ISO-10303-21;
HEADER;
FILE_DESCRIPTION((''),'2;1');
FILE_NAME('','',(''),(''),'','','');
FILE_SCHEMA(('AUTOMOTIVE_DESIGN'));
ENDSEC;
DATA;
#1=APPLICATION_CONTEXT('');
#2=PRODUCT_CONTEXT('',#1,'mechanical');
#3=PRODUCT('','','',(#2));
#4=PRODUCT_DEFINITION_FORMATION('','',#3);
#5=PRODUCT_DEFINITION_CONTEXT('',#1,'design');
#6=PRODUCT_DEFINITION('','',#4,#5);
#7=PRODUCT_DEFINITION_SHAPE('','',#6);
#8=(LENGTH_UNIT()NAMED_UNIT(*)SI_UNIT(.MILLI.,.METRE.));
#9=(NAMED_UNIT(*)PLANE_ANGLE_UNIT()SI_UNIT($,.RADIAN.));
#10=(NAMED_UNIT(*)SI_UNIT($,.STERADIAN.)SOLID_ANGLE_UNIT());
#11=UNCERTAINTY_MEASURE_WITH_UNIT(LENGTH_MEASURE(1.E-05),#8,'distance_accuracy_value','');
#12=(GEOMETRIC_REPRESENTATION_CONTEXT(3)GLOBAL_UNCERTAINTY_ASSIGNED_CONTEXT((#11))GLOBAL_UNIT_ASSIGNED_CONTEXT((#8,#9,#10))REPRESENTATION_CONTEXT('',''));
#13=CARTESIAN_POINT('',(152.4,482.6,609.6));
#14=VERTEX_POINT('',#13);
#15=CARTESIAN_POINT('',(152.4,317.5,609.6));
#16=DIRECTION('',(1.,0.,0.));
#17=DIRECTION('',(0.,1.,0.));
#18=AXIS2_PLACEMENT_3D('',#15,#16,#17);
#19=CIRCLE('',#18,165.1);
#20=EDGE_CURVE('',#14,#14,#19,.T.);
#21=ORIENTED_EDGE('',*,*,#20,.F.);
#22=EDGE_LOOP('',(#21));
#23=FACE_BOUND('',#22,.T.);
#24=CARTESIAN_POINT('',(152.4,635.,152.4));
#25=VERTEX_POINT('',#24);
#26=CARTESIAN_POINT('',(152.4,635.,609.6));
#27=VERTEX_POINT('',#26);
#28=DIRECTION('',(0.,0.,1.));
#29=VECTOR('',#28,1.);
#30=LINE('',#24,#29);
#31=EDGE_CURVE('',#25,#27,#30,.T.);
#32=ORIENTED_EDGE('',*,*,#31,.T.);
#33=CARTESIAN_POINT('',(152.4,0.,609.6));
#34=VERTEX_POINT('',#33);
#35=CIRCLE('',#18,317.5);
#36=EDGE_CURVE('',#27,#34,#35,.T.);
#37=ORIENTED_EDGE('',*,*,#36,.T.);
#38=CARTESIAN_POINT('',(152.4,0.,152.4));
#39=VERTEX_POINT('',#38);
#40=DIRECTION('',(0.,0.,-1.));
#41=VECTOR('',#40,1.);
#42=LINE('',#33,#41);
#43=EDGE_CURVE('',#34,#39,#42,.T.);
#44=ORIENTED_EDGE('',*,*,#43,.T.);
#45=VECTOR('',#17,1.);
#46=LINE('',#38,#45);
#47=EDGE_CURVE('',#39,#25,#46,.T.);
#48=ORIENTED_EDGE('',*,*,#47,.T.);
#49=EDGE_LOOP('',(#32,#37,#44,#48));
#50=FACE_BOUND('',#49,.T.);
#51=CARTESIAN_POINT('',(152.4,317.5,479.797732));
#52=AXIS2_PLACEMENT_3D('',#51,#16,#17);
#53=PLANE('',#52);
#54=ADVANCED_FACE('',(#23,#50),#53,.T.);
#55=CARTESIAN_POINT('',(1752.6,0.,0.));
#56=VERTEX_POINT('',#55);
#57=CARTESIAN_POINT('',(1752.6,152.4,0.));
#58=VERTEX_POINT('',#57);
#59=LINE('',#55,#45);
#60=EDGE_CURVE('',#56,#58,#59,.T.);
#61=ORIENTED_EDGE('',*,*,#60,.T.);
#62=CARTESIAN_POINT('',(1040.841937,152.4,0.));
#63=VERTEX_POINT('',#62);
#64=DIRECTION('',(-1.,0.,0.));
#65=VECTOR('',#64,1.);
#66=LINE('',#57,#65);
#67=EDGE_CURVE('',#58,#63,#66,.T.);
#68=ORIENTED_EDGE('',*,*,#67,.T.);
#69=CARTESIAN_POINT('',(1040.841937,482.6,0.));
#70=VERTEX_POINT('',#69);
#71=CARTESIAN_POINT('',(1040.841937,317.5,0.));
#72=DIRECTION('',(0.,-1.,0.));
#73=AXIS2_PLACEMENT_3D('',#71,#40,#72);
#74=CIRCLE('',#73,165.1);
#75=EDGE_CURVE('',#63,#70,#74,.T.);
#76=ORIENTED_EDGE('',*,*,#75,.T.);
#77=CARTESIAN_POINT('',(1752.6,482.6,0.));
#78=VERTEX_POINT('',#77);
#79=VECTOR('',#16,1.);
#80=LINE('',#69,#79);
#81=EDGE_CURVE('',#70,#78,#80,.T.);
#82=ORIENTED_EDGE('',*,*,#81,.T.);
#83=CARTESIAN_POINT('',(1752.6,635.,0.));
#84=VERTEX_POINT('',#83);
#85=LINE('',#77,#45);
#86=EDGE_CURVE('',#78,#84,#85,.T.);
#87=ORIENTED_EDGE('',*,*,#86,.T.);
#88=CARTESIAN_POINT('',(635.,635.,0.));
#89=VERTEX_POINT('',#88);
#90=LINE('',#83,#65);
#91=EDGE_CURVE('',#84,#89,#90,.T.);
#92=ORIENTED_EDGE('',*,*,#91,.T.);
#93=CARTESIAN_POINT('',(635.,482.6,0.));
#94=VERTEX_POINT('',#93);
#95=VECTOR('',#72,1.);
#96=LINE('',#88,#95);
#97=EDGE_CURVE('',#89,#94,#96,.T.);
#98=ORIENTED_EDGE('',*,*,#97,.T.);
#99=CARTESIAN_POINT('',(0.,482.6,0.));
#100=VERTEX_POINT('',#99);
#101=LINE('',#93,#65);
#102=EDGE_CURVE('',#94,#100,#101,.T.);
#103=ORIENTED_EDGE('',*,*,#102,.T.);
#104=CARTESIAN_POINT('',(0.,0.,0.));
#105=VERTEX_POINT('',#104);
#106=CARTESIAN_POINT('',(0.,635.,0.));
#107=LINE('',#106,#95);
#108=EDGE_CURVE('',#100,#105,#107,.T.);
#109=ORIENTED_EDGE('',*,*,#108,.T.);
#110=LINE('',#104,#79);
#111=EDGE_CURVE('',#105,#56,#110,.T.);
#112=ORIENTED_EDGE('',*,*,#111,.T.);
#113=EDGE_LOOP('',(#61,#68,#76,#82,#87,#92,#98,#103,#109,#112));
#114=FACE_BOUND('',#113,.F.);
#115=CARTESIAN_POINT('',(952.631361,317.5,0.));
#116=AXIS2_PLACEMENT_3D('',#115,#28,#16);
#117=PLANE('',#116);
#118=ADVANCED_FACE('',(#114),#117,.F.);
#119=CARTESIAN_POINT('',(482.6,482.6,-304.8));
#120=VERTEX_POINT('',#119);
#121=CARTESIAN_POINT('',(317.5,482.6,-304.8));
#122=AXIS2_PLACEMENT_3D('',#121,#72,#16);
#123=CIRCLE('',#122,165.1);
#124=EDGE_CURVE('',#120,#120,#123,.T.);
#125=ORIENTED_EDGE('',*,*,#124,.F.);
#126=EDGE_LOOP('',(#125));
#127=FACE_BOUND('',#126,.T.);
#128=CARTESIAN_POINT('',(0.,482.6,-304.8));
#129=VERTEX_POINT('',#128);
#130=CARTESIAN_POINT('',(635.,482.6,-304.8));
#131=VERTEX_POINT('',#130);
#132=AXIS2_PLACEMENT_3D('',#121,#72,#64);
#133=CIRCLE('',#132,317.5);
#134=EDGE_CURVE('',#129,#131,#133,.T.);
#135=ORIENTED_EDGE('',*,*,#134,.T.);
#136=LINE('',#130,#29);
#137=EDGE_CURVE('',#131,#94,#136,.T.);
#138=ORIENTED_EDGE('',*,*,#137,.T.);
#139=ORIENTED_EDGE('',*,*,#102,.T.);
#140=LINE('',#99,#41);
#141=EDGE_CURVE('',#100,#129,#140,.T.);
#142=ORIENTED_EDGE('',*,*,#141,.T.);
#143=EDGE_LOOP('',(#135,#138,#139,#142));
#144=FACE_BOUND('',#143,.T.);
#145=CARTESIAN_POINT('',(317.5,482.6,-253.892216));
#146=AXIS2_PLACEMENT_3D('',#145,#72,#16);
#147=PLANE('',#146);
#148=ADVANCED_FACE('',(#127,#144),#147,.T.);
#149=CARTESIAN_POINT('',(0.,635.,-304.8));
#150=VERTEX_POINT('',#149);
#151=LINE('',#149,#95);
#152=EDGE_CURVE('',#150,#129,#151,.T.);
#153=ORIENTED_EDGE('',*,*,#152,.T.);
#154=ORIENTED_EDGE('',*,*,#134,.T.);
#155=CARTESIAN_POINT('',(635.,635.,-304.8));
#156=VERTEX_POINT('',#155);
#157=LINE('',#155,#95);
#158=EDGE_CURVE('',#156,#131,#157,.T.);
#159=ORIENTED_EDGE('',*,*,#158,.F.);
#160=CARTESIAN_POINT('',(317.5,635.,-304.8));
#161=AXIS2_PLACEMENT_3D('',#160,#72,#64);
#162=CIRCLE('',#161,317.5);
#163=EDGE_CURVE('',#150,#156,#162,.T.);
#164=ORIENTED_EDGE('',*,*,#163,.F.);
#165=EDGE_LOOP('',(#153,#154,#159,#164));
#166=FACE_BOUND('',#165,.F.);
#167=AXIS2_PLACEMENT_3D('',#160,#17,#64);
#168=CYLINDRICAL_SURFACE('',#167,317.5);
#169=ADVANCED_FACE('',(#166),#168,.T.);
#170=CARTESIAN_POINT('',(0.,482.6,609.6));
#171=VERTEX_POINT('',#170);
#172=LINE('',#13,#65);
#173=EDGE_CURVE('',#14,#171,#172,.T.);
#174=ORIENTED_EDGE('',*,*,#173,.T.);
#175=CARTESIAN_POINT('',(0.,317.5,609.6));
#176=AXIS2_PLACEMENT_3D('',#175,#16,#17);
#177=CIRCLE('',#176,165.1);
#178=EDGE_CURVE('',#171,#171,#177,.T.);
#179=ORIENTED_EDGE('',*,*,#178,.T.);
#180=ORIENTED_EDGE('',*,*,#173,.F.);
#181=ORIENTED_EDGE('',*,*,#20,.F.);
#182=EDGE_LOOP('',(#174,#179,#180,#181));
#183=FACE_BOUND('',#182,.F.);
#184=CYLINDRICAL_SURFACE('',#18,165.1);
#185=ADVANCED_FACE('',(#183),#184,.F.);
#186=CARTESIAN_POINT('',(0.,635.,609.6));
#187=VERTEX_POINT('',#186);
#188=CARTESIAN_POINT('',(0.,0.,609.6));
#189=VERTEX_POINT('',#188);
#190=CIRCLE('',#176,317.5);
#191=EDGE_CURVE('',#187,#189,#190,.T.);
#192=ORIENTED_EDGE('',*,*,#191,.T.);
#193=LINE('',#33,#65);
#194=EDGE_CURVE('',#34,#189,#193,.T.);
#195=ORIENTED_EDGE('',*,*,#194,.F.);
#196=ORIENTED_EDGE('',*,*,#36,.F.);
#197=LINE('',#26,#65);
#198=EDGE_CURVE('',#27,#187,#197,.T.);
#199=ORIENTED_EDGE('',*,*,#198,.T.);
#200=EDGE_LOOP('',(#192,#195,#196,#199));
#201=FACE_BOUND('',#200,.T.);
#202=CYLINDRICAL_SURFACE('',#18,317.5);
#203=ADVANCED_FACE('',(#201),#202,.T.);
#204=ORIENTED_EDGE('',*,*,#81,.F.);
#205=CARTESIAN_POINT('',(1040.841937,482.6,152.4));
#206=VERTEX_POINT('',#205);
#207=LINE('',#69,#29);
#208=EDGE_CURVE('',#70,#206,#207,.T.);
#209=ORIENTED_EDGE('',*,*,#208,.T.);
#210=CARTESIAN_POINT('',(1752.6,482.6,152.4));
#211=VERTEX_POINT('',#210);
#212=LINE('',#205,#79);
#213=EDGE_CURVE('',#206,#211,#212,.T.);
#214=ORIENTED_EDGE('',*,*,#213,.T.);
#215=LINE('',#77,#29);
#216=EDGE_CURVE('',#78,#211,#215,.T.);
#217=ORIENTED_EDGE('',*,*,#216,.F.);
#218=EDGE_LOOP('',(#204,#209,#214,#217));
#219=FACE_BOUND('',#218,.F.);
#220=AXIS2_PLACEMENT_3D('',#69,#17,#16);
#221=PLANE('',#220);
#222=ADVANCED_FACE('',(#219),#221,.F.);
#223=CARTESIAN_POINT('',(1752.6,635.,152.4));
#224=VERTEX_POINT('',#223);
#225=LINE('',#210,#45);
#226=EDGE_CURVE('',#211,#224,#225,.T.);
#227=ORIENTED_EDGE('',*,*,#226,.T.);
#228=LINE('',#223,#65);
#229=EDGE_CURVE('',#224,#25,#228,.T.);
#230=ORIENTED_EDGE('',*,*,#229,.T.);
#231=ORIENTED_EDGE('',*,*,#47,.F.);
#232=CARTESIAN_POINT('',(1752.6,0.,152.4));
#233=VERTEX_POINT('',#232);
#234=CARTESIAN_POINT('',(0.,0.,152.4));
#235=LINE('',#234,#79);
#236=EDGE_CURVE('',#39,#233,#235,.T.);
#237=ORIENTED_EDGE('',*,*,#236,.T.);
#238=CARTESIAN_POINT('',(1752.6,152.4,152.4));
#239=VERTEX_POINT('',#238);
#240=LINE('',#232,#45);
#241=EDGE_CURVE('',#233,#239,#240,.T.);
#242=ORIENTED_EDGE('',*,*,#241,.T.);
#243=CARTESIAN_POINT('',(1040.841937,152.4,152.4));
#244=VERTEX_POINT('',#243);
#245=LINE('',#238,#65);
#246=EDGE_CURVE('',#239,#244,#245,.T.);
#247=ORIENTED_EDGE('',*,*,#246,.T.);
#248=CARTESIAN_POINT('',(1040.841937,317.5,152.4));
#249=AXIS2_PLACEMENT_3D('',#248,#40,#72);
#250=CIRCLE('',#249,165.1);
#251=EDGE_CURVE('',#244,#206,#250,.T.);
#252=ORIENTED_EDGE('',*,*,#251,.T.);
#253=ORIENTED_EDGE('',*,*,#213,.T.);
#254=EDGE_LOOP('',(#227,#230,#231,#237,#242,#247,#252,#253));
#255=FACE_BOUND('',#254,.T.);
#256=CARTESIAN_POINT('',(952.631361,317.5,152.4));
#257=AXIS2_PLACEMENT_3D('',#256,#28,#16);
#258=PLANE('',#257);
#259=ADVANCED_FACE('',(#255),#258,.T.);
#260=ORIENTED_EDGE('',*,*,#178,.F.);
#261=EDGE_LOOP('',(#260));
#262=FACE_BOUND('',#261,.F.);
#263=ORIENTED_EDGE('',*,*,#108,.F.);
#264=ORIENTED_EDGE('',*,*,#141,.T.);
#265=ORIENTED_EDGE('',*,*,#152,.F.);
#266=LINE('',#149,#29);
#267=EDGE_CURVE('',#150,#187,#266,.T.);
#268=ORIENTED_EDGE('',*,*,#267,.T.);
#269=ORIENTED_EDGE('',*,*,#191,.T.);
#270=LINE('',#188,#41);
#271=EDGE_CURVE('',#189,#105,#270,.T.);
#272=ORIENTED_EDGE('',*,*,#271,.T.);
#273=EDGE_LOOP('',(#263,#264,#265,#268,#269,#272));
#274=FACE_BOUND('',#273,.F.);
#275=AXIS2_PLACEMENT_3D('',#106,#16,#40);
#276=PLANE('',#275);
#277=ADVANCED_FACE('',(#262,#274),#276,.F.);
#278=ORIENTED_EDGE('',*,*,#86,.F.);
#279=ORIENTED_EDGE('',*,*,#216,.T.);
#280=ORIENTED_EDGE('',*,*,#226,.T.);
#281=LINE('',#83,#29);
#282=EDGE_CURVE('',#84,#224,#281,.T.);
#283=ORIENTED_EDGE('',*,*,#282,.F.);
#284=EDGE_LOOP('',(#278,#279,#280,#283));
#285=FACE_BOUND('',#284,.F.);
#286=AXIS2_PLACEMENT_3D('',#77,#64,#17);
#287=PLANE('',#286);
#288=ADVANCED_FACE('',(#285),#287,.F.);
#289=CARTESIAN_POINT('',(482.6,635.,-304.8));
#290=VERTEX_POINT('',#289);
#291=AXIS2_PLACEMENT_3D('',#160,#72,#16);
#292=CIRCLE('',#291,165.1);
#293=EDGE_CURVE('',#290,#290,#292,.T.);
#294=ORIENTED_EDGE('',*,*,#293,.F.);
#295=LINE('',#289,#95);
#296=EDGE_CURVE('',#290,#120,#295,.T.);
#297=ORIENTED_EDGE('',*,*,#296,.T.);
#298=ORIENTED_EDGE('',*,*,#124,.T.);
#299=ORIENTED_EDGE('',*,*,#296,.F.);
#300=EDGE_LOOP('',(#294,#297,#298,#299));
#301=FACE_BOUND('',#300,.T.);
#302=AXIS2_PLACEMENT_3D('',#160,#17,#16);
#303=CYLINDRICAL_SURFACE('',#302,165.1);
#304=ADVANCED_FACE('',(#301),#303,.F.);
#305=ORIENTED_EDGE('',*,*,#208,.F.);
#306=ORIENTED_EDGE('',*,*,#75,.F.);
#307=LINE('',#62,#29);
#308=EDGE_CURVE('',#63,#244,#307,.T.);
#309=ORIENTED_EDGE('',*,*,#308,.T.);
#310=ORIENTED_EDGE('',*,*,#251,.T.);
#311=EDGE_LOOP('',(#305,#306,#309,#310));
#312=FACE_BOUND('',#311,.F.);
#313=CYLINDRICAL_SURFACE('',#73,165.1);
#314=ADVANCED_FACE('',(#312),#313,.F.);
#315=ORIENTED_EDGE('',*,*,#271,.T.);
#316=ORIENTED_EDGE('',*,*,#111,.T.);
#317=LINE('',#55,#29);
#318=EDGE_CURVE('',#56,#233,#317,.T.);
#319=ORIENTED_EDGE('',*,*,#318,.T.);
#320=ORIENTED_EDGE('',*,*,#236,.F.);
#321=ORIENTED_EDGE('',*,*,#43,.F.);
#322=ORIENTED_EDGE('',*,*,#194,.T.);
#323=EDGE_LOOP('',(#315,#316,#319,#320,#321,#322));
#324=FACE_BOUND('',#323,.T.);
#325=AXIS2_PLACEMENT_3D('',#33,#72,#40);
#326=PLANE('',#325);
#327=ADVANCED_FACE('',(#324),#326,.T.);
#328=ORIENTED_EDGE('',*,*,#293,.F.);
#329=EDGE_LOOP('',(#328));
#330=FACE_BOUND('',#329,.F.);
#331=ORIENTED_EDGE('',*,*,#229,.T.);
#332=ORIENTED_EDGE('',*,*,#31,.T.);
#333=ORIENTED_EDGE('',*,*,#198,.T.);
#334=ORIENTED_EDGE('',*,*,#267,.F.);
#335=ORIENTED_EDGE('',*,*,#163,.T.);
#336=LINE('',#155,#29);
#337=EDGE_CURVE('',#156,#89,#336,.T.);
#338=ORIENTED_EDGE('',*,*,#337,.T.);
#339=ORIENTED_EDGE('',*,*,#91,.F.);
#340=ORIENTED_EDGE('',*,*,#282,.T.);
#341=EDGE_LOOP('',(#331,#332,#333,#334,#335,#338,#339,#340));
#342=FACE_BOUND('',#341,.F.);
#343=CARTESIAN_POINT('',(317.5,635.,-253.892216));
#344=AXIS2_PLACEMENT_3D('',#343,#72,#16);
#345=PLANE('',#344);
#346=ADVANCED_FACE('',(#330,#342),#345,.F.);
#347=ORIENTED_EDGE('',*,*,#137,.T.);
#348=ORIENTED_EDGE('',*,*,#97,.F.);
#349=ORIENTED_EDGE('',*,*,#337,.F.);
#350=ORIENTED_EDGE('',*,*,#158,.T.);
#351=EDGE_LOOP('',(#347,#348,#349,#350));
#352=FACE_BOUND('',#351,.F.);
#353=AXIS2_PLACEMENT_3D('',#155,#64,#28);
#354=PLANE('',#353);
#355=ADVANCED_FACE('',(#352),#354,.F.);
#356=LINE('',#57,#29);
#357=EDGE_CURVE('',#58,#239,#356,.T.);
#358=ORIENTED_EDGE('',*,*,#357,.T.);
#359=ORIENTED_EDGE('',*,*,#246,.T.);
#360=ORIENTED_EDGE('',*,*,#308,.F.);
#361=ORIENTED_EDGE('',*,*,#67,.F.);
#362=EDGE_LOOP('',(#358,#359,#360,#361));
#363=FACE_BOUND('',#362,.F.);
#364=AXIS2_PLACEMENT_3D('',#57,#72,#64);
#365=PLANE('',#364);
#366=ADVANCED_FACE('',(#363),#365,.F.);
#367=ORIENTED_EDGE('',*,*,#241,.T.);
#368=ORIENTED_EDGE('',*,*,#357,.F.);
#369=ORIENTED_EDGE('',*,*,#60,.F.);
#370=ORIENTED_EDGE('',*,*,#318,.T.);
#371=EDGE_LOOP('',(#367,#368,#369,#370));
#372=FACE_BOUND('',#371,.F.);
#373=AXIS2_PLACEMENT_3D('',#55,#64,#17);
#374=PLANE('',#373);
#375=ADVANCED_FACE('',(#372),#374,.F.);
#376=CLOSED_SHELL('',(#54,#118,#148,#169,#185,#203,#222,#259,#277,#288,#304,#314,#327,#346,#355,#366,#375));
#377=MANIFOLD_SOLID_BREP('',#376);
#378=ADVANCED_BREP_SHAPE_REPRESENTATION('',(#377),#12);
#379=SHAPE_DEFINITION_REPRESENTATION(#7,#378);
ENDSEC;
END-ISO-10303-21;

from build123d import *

# Parameters (mm, degrees)
F1_DEPTH = 152.4
F3_R     = 165.1
F4_DEPTH = 152.4
F6_R     = 165.1
F7_DEPTH = 152.4


with BuildPart() as f1:
    # F0 (on Top) → F1 (new body)
    with BuildSketch(Plane.XY):
        with BuildLine():
            Line((0, 635), (0, 0))
            Line((0, 0), (1752.6, 0))
            Line((1752.6, 0), (1752.6, 152.4))
            Line((1752.6, 152.4), (1040.841937, 152.4))
            ThreePointArc((1040.841937, 152.4), (875.741937, 317.5), (1040.841937, 482.6))
            Line((1040.841937, 482.6), (1752.6, 482.6))
            Line((1752.6, 482.6), (1752.6, 635))
            Line((1752.6, 635), (0, 635))
        make_face()
    extrude(amount=F1_DEPTH)

    # F3 (on offset) → F4 (join)
    with BuildSketch(Plane.YZ.offset(152.4)):
        with BuildLine():
            Line((0, 609.6), (0, 152.4))
            Line((0, 152.4), (635, 152.4))
            Line((635, 152.4), (635, 609.6))
            ThreePointArc((635, 609.6), (317.5, 927.1), (0, 609.6))
        make_face()
        with Locations((317.5, 609.6)):
            Circle(F3_R, mode=Mode.SUBTRACT)
    extrude(amount=-F4_DEPTH)

    # F6 (on offset) → F7 (join)
    with BuildSketch(Plane.XZ.offset(-635)):
        with BuildLine():
            Line((635, 0), (0, 0))
            Line((0, 0), (0, -304.8))
            ThreePointArc((0, -304.8), (317.5, -622.3), (635, -304.8))
            Line((635, -304.8), (635, 0))
        make_face()
        with Locations((317.5, -304.8)):
            Circle(F6_R, mode=Mode.SUBTRACT)
    extrude(amount=F7_DEPTH)


solid = f1.part
